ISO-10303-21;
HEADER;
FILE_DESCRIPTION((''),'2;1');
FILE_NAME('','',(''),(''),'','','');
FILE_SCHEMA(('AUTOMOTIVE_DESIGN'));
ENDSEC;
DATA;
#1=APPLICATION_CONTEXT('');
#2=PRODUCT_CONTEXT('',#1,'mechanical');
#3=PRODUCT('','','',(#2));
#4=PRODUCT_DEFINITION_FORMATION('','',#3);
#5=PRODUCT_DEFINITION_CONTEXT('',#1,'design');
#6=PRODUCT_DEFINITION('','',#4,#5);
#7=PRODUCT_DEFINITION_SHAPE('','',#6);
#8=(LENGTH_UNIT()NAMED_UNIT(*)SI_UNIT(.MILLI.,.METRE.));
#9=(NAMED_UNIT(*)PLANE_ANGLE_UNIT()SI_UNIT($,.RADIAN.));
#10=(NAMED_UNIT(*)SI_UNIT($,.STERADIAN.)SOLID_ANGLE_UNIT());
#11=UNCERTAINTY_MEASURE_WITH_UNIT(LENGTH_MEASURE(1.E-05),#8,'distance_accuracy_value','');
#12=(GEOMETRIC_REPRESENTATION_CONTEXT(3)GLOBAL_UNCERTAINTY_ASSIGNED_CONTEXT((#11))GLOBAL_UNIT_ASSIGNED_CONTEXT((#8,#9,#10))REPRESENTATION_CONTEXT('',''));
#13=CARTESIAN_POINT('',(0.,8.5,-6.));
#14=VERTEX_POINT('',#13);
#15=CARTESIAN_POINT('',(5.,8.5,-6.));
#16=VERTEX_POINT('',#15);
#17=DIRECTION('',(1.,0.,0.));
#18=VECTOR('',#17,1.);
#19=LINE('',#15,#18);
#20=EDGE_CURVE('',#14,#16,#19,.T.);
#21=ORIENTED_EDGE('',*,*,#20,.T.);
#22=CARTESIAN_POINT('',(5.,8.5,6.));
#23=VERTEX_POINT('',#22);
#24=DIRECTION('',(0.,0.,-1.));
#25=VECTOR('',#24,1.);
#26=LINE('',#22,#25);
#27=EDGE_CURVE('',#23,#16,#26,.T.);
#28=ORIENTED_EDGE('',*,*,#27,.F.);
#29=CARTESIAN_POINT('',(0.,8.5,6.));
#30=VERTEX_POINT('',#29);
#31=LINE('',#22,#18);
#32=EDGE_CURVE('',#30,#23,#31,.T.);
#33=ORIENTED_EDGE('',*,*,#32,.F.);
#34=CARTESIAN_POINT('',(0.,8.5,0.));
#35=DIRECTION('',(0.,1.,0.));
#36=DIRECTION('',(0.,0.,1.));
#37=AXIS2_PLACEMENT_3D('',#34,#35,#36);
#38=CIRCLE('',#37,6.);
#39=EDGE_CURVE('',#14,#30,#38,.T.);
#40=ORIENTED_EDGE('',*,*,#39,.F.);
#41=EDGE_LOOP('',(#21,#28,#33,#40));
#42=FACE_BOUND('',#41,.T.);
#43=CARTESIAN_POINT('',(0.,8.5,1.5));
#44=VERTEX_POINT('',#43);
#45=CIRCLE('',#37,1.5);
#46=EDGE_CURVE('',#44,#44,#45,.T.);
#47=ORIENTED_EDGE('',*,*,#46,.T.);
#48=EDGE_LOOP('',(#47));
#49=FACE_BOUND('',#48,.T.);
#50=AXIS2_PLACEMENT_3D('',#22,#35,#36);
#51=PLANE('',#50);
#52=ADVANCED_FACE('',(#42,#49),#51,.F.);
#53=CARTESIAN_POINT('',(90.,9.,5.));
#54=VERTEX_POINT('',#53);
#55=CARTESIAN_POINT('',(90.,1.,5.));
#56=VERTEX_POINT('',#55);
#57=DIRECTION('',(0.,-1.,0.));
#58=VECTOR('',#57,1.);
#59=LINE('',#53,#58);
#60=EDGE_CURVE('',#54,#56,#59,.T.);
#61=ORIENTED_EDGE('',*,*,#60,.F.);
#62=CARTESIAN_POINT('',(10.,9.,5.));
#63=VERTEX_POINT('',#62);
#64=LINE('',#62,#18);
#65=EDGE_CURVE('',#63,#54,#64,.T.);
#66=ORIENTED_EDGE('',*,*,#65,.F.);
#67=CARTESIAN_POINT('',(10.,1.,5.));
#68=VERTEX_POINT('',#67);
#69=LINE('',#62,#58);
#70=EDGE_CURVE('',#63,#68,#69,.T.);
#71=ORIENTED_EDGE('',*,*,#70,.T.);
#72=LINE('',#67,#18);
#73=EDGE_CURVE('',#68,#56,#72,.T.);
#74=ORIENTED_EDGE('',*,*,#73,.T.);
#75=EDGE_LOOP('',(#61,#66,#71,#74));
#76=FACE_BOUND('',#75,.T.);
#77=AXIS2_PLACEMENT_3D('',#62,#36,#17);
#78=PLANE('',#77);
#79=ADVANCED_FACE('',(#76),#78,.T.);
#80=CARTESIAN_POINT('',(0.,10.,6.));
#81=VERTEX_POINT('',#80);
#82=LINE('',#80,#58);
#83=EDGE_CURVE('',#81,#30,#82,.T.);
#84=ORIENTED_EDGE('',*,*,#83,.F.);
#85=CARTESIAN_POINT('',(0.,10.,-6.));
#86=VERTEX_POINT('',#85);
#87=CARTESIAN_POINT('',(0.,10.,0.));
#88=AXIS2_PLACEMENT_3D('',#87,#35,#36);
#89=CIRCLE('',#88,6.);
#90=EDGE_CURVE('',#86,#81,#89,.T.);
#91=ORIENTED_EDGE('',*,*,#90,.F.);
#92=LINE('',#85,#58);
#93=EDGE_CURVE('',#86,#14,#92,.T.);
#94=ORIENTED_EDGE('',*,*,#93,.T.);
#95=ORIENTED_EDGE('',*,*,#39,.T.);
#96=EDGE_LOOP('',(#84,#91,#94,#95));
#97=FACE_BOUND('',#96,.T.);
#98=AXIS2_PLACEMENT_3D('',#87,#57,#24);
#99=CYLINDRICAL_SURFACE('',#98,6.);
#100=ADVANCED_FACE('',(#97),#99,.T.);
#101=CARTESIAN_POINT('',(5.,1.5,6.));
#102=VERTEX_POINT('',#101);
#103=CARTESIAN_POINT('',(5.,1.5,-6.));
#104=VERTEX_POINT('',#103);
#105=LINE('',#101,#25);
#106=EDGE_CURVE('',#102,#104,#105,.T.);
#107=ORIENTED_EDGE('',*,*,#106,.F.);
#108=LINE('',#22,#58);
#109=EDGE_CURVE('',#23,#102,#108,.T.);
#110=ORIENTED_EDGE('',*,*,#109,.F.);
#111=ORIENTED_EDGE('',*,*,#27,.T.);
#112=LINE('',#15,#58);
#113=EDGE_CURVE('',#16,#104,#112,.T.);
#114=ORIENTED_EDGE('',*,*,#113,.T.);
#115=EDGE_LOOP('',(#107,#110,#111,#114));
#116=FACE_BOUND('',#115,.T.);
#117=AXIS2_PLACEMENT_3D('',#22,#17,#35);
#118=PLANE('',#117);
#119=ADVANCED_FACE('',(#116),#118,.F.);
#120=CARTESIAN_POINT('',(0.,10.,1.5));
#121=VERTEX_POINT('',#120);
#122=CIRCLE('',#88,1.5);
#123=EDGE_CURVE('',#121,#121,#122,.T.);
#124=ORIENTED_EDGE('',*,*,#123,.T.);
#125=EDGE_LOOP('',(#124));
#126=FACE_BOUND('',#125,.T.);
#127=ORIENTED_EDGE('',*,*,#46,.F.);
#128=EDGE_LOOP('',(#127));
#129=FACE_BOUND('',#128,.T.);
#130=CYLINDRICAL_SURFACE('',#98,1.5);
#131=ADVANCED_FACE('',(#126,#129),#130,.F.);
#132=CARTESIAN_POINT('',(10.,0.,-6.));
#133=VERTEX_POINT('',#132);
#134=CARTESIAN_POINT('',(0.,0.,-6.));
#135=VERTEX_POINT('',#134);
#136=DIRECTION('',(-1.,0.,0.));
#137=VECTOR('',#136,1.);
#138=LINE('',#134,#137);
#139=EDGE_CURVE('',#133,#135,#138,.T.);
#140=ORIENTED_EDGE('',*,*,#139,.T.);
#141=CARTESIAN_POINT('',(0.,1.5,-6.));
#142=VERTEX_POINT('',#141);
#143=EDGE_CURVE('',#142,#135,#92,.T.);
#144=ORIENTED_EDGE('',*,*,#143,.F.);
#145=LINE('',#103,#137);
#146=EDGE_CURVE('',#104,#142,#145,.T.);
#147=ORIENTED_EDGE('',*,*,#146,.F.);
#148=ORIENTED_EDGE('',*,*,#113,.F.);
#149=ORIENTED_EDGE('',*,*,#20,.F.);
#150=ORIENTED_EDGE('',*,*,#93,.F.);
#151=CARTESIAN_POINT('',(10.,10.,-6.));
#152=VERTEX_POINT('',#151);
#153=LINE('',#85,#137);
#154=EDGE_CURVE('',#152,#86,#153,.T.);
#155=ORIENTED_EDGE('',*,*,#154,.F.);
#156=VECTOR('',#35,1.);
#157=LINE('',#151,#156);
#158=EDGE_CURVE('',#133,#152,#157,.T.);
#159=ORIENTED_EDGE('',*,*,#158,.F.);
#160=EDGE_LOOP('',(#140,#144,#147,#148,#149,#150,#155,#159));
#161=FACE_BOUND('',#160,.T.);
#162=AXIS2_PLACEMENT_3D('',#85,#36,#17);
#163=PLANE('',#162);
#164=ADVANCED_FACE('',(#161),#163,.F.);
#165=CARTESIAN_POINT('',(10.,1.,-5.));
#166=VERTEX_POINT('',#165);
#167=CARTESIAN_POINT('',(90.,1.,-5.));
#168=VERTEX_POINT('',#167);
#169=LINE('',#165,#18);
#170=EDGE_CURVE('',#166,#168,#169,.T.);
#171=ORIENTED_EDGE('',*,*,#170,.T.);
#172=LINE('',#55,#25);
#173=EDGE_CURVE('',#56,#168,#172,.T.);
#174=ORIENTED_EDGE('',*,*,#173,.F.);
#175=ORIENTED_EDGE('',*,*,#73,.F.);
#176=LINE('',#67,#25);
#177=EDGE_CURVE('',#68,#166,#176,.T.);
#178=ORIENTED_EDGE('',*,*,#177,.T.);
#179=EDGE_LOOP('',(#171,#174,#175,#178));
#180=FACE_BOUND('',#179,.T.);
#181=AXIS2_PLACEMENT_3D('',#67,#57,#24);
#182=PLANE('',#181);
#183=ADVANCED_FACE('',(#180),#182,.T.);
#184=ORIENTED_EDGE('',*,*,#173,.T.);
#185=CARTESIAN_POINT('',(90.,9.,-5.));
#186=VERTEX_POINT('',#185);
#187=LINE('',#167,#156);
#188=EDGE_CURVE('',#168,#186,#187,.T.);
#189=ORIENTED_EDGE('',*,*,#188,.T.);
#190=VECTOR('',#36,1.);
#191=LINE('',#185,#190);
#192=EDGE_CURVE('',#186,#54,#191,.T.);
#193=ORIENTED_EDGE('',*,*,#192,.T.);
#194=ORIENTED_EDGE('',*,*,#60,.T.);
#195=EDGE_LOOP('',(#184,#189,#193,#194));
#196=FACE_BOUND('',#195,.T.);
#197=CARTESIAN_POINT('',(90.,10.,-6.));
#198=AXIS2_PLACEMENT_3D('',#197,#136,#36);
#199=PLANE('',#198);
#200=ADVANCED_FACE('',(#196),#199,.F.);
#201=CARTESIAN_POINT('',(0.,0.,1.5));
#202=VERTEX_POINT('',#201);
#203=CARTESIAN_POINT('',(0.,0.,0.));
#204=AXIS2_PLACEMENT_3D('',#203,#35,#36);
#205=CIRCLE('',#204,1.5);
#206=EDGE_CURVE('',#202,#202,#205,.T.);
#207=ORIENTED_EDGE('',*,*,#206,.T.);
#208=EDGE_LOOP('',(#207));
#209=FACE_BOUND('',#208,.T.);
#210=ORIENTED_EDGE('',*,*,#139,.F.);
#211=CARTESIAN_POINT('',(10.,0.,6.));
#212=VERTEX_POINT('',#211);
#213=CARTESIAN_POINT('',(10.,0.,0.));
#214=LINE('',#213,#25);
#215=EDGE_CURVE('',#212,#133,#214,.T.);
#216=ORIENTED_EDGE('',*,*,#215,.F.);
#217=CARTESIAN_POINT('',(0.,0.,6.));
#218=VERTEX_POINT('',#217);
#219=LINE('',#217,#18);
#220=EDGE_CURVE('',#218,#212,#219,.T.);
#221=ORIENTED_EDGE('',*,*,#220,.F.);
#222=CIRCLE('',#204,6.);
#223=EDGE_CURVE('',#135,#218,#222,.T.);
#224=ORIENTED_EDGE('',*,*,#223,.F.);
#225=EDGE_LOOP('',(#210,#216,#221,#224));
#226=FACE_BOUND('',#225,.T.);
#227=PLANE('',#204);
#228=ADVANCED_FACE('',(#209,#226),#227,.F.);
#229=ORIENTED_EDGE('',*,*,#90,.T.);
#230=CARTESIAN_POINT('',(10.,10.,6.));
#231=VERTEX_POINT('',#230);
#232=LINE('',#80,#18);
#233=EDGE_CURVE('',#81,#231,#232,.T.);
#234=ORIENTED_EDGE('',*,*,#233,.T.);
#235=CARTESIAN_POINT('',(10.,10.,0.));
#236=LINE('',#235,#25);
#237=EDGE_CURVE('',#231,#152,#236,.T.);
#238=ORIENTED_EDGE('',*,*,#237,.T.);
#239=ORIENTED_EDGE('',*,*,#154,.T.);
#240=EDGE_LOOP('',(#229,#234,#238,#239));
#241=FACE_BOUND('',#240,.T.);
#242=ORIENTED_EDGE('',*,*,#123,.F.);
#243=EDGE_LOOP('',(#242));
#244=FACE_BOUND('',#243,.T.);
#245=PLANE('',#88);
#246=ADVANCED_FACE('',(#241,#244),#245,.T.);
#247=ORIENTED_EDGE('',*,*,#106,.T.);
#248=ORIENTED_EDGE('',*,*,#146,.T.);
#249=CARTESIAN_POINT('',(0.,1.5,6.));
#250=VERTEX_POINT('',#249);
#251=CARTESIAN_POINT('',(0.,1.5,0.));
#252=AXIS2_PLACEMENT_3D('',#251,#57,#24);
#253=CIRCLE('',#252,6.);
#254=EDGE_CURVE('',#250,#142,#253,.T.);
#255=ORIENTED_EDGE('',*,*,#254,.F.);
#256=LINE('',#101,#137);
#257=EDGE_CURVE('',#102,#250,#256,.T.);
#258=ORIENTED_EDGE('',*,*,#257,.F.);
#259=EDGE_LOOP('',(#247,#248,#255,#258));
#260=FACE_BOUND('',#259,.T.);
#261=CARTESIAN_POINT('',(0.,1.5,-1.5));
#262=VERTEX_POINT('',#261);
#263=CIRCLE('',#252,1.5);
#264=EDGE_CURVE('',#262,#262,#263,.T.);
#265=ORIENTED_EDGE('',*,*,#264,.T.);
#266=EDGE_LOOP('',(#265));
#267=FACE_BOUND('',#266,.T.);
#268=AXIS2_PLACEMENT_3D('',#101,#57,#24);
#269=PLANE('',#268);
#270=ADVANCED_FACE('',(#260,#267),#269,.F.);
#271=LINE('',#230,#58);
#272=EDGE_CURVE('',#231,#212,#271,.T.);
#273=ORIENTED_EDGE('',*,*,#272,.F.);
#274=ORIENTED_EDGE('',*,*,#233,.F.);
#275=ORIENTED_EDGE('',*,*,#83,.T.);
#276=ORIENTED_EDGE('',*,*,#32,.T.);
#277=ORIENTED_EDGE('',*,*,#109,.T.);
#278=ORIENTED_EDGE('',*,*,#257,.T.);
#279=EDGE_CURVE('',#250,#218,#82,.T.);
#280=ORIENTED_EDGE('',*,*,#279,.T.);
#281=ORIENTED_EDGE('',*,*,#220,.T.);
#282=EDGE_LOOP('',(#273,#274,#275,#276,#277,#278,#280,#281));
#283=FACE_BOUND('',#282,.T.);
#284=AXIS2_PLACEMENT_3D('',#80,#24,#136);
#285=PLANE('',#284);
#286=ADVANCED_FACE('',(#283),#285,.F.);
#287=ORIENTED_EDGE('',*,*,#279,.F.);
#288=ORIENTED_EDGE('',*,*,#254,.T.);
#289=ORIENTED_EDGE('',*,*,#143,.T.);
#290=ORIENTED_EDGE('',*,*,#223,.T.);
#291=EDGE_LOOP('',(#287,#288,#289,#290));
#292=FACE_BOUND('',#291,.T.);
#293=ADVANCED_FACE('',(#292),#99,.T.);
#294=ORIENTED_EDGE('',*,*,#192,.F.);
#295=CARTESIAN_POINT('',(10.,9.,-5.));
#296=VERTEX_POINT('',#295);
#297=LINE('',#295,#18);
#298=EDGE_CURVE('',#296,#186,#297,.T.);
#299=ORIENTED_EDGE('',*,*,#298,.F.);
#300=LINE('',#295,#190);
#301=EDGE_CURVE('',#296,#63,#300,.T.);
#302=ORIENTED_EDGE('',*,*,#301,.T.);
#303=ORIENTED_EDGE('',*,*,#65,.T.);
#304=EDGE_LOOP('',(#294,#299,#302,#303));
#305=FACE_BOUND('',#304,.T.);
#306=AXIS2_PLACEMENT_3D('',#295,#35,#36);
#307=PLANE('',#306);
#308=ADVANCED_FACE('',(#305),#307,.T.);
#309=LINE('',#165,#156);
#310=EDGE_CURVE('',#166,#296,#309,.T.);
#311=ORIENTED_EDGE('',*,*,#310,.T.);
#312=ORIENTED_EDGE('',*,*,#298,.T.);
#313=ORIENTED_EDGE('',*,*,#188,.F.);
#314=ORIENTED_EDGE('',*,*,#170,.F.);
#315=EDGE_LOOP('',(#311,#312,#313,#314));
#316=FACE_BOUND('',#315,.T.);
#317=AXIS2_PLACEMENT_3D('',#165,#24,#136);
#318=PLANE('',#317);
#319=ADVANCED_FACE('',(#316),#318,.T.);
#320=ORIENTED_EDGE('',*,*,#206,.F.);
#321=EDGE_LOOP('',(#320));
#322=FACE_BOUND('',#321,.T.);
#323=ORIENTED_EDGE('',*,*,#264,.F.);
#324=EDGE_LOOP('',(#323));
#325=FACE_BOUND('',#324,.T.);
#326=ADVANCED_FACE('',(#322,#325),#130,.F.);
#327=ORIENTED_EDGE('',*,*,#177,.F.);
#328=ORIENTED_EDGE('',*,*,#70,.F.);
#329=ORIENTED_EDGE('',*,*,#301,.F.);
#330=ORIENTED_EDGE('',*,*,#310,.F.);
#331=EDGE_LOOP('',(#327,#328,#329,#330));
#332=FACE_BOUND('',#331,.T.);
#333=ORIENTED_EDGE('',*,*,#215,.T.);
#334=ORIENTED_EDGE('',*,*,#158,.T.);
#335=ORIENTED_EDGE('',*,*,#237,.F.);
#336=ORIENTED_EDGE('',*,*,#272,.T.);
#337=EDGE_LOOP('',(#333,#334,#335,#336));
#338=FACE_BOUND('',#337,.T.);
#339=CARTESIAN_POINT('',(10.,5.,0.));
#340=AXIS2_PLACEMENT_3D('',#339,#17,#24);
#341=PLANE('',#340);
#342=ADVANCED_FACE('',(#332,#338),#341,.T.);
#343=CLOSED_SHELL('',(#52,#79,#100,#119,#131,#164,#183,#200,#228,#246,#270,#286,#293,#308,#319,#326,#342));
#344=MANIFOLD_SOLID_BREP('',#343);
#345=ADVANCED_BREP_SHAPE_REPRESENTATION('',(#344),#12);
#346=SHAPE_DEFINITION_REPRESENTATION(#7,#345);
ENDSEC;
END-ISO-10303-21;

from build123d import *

# Parameters (mm, degrees)
SZKIC1_R                    = 1.5
DODANIE_WYCI_GNI_CIE1_DEPTH = 10
SZKIC2_W                    = 22
SZKIC2_H                    = 7
WYTNIJ_WYCI_GNI_CIE1_DEPTH  = 13
SZKIC3_OUTSIDE_W            = 33.452
SZKIC3_OUTSIDE_H            = 31.452
SZKIC3_OUTSIDE_W_2          = 10
SZKIC3_OUTSIDE_H_2          = 8
WYTNIJ_WYCI_GNI_CIE2_DEPTH  = 80


with BuildPart() as part:
    # Szkic1 → Dodanie-wyciągnięcie1 (new body)
    with BuildSketch(Plane(origin=(0, 0, 0), x_dir=(1, 0, 0), z_dir=(0, 1, 0))):
        with BuildLine():
            Line((90, 6), (90, -6))
            Line((90, -6), (0, -6))
            ThreePointArc((0, -6), (-6, 0), (0, 6))
            Line((0, 6), (90, 6))
        make_face()
        Circle(SZKIC1_R, mode=Mode.SUBTRACT)
    extrude(amount=DODANIE_WYCI_GNI_CIE1_DEPTH)

    # Szkic2 → Wytnij-wyciągnięcie1 (cut, through all)
    with BuildSketch(Plane(origin=(0, 0, -6), x_dir=(-1, 0, 0), z_dir=(0, 0, -1))):
        with Locations((6, 5)):
            Rectangle(SZKIC2_W, SZKIC2_H)
    extrude(amount=-WYTNIJ_WYCI_GNI_CIE1_DEPTH, mode=Mode.SUBTRACT)

    # Szkic3 outside → Wytnij-wyciągnięcie2 (cut)
    with BuildSketch(Plane(origin=(90, 0, 0), x_dir=(0, 0, -1), z_dir=(1, 0, 0))):
        with Locations((0, 5)):
            Rectangle(SZKIC3_OUTSIDE_W, SZKIC3_OUTSIDE_H)
        with Locations((0, 5)):
            Rectangle(SZKIC3_OUTSIDE_W_2, SZKIC3_OUTSIDE_H_2, mode=Mode.SUBTRACT)
    extrude(amount=-WYTNIJ_WYCI_GNI_CIE2_DEPTH, mode=Mode.SUBTRACT)


solid = part.part
